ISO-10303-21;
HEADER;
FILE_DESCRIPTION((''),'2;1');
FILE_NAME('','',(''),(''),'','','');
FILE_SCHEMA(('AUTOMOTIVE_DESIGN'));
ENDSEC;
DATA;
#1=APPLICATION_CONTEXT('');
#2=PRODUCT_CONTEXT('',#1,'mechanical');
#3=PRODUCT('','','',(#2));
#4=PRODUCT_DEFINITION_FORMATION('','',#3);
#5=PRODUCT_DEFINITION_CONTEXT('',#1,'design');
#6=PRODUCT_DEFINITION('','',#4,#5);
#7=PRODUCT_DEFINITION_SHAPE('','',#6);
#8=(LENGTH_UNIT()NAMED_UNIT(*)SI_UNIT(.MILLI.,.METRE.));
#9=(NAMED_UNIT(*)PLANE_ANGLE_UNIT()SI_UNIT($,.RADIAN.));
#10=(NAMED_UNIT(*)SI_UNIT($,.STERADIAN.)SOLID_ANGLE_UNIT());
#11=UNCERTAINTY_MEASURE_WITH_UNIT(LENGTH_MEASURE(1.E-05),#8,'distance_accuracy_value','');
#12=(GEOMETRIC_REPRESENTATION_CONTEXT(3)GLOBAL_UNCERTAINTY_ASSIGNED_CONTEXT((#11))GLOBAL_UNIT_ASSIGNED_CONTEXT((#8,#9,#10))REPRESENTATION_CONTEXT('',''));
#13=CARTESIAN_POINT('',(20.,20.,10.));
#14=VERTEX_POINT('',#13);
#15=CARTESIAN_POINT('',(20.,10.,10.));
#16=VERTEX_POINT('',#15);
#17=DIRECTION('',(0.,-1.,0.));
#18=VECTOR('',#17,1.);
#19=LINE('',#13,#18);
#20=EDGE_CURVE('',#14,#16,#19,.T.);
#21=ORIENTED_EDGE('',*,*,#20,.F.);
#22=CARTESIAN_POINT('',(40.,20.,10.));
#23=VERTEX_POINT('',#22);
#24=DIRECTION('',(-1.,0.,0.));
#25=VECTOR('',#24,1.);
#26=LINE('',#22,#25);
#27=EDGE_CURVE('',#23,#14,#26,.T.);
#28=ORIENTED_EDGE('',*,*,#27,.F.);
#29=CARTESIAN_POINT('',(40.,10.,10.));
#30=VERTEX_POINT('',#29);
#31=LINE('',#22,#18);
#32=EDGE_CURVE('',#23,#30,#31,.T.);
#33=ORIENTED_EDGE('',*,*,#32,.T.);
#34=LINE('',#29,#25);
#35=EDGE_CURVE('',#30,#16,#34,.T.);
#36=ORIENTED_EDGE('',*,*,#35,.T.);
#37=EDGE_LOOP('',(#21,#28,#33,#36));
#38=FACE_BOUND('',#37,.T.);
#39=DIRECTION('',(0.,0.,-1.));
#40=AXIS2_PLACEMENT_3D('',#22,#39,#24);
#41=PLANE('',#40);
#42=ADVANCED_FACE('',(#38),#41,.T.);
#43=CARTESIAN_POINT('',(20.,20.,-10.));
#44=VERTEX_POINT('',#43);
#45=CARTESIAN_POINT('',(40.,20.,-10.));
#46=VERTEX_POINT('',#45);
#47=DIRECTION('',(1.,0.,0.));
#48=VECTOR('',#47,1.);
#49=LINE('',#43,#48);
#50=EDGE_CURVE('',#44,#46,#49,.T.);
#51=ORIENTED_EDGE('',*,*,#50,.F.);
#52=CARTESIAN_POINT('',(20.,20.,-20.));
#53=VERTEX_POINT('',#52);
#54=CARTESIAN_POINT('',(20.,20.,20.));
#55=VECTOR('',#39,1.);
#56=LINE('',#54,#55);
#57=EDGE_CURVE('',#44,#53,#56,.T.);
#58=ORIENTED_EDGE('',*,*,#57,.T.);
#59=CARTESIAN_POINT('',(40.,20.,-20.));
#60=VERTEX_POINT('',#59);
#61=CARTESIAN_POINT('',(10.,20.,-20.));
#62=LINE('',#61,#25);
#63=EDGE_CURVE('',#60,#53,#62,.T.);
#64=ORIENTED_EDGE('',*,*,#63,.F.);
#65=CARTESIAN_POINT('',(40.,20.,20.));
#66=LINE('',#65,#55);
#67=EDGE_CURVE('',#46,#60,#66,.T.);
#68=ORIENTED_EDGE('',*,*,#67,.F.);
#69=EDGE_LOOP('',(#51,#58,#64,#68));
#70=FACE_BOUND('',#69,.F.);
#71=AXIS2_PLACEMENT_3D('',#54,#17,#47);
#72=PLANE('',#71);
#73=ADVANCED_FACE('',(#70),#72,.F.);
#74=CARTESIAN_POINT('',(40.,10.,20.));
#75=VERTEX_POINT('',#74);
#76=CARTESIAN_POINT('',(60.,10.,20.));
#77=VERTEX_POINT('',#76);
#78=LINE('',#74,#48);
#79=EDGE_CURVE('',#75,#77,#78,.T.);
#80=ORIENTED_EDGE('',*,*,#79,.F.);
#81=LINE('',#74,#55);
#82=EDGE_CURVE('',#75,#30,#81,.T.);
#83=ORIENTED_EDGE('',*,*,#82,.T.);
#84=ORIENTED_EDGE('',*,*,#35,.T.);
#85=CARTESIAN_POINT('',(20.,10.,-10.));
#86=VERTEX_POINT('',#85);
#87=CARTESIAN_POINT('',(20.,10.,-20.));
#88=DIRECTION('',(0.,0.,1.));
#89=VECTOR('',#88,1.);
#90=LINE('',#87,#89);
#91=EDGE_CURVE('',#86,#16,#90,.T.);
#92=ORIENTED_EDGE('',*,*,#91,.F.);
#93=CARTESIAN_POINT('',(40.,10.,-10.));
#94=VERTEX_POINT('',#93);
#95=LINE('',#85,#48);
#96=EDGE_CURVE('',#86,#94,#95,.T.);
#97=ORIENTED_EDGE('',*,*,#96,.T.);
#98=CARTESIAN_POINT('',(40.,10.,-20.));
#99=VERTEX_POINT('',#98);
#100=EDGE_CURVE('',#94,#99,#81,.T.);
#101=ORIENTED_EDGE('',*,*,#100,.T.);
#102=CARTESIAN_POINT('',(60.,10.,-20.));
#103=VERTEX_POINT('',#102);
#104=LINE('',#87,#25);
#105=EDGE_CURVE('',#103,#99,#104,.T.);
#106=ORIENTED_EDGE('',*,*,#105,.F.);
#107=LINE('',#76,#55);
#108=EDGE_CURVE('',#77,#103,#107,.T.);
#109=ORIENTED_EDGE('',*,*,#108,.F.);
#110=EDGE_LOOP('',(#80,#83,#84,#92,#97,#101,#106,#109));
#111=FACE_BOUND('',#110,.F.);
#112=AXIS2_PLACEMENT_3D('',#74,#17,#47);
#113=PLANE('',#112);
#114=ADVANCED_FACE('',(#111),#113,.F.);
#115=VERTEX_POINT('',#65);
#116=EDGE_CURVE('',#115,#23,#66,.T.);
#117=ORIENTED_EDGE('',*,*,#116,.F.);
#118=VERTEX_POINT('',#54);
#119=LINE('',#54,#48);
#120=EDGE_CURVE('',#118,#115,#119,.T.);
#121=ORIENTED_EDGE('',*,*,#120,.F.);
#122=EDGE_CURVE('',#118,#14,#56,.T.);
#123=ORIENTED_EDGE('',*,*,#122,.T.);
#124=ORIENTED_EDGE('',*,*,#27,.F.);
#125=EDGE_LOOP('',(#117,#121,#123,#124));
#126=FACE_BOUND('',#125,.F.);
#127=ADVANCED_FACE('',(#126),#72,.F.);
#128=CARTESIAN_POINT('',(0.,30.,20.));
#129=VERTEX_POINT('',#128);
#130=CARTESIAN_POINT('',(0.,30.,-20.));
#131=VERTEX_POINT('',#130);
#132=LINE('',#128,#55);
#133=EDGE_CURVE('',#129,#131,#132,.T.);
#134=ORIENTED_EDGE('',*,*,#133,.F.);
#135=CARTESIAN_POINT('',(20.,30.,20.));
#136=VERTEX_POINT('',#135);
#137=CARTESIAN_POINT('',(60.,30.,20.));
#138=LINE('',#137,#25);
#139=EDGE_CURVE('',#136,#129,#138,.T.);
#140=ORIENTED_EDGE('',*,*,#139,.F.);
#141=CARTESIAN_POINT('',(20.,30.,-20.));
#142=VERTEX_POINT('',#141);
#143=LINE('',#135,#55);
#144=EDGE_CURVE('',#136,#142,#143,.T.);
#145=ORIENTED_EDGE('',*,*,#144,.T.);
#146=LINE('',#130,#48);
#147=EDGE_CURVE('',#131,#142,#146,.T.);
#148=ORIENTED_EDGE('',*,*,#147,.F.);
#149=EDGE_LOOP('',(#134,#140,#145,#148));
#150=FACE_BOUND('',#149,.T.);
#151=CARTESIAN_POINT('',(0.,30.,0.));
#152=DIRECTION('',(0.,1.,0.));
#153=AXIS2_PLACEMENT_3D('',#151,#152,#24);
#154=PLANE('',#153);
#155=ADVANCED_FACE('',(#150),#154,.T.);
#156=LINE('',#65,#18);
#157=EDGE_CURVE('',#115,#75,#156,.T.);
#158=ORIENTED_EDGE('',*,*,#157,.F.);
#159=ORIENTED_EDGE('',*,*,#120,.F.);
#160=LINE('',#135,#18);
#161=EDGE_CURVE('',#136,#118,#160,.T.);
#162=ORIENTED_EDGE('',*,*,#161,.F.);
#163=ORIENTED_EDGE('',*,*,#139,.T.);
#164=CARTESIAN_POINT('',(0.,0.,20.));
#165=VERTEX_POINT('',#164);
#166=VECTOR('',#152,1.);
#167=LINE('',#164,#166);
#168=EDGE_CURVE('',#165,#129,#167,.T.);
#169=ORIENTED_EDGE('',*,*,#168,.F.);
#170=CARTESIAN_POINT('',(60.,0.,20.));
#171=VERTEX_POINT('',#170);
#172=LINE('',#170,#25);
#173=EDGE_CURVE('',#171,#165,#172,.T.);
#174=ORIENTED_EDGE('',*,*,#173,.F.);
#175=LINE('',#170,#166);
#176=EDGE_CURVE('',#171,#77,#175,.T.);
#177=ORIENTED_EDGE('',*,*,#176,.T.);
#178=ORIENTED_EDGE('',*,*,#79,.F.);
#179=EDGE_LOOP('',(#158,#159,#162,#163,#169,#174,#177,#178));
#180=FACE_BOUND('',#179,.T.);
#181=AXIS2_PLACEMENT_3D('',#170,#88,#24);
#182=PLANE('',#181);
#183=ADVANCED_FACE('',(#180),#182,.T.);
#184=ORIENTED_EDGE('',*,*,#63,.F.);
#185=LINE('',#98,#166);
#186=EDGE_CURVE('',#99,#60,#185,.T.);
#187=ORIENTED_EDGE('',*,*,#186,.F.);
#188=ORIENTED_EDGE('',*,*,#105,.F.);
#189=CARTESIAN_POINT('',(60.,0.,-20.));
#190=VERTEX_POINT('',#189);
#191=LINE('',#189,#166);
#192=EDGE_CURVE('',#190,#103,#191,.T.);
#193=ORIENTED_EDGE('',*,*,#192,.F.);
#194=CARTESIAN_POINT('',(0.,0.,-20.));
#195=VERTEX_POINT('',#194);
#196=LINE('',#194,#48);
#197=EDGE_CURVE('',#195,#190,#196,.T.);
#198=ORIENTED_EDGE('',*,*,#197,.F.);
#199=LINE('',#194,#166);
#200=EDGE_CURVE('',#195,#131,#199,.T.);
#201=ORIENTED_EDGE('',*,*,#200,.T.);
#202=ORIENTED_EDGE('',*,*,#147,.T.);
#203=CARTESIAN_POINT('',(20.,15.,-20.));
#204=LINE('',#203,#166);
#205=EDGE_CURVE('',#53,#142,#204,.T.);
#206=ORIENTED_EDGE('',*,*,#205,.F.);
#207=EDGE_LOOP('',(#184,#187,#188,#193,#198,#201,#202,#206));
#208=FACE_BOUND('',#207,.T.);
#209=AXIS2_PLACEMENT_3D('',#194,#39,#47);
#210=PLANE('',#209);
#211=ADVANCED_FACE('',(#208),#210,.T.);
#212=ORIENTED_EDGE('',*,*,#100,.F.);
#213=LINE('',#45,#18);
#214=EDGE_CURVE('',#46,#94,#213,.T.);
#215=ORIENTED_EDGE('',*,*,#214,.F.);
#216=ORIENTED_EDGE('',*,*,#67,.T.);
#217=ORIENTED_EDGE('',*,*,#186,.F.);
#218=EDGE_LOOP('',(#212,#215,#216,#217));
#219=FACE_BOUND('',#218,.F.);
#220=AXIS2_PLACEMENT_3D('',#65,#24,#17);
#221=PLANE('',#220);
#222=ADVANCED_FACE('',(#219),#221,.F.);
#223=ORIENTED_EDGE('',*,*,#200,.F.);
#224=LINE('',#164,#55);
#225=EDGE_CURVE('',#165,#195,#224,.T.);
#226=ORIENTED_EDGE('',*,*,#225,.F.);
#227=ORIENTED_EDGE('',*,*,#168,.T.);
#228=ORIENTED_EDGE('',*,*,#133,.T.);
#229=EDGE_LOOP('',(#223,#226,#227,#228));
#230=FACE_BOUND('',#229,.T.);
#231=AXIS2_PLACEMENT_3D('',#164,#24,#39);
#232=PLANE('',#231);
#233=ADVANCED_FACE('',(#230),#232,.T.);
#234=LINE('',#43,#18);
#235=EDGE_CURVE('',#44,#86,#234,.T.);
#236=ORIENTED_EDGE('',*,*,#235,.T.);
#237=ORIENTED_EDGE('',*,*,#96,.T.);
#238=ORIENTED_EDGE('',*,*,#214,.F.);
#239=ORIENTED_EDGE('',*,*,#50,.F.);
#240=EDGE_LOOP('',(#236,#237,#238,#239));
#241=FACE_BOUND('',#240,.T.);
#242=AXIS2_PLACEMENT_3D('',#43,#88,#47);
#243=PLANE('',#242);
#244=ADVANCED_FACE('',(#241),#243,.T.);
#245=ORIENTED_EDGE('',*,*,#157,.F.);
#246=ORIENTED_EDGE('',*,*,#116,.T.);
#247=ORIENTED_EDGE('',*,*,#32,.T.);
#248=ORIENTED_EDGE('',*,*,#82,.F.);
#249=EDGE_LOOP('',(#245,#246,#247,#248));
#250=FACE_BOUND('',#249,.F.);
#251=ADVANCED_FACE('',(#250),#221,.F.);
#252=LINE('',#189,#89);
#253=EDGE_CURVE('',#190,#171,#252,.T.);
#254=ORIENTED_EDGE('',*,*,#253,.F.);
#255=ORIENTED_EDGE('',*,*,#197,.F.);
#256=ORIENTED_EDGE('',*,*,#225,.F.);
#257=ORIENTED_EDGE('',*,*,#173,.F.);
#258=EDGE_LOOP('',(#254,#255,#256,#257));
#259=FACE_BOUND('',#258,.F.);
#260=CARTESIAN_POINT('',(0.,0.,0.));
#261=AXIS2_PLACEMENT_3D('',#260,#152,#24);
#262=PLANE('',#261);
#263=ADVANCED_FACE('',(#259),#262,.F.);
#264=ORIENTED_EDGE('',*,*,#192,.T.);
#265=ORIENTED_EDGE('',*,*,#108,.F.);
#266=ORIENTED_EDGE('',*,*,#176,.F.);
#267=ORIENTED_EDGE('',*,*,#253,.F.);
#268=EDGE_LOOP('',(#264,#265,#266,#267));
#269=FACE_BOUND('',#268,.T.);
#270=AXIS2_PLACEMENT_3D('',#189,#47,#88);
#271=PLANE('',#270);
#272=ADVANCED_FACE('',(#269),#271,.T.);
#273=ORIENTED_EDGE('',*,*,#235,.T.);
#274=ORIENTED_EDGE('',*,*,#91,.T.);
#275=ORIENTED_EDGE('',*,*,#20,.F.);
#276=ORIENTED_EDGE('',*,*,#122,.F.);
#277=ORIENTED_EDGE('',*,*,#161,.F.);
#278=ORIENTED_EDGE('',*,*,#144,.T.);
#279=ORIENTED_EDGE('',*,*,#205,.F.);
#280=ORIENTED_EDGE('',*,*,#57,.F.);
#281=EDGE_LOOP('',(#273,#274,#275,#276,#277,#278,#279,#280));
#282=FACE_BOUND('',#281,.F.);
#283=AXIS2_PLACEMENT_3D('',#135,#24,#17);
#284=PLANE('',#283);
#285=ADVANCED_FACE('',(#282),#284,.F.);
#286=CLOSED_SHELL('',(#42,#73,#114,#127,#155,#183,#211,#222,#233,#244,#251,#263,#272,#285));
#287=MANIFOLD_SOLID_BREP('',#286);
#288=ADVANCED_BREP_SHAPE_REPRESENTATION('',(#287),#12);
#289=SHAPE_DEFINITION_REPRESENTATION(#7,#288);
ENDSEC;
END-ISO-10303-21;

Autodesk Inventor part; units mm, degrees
ref_plane "YZ Plane" through (0, 0, 0) normal (1, 0, 0) x (0, 1, 0)
ref_plane "XZ Plane" through (0, 0, 0) normal (0, 1, 0) x (-1, 0, 0)
ref_plane "XY Plane" through (0, 0, 0) normal (0, 0, 1) x (1, 0, 0)
sketch "草圖1" plane through (0, 0, 0) normal (0, 1, 0) x (-1, 0, 0)
  line L0 (0, -20) -> (-60, -20)
  line L1 (-60, -20) -> (-60, 20)
  line L2 (-60, 20) -> (0, 20)
  line L3 (0, 20) -> (0, -20)
  point P0 (0, 0)
  point P1 (0, 0)
  dimension "d0" = 40
  dimension "d1" = 60
extrude "擠出1" add sketch "草圖1" along normal blind 30
sketch "草圖2" plane through (0, 0, 20) normal (0, 0, 1) x (1, 0, 0)
  line L0 (0, 0) -> (0, 30) projected
  line L1 (0, 30) -> (60, 30) projected
  line L2 (60, 30) -> (60, 0) projected
  line L3 (60, 0) -> (0, 0) projected
  line L4 (60, 30) -> (0, 30) projected
  line L5 (20, 30) -> (20, 20)
  line L6 (20, 20) -> (40, 20)
  line L7 (40, 20) -> (40, 10)
  line L8 (40, 10) -> (60, 10)
  point P0 (20, 30)
  dimension "d4" = 20
  dimension "d5" = 10
  dimension "d6" = 20
  dimension "d7" = 10
extrude "擠出2" cut sketch "草圖2" against normal through all contours L1 L2 L8 L7 L6 L5
sketch "草圖3" plane through (20, 20, 20) normal (0, 1, 0) x (1, 0, 0)
  line L0 (0, 40) -> (0, 0) projected
  line L1 (20, 0) -> (0, 0) projected
  line L2 (20, 40) -> (20, 0) projected
  line L3 (0, 40) -> (20, 40) projected
  line L4 (-20, 40) -> (0, 40) projected
  line L5 (-20, 0) -> (-20, 40) projected
  line L6 (0, 0) -> (-20, 0) projected
  line L7 (0, 30) -> (20, 30)
  line L8 (20, 30) -> (20, 10)
  line L9 (20, 10) -> (0, 10)
  line L10 (0, 10) -> (0, 30)
  line L11 (20, 0) -> (20, 40) projected
  point P0 (-20, 20)
  point P1 (0, 20)
  point P2 (0, 10)
  point P3 (20, 10)
  point P4 (0, 30)
  dimension "d10" = 20
extrude "擠出3" cut sketch "草圖3" against normal blind 10 contours L7 L2 L9 L0
properties part number "46" material "鋼、碳鋼"
